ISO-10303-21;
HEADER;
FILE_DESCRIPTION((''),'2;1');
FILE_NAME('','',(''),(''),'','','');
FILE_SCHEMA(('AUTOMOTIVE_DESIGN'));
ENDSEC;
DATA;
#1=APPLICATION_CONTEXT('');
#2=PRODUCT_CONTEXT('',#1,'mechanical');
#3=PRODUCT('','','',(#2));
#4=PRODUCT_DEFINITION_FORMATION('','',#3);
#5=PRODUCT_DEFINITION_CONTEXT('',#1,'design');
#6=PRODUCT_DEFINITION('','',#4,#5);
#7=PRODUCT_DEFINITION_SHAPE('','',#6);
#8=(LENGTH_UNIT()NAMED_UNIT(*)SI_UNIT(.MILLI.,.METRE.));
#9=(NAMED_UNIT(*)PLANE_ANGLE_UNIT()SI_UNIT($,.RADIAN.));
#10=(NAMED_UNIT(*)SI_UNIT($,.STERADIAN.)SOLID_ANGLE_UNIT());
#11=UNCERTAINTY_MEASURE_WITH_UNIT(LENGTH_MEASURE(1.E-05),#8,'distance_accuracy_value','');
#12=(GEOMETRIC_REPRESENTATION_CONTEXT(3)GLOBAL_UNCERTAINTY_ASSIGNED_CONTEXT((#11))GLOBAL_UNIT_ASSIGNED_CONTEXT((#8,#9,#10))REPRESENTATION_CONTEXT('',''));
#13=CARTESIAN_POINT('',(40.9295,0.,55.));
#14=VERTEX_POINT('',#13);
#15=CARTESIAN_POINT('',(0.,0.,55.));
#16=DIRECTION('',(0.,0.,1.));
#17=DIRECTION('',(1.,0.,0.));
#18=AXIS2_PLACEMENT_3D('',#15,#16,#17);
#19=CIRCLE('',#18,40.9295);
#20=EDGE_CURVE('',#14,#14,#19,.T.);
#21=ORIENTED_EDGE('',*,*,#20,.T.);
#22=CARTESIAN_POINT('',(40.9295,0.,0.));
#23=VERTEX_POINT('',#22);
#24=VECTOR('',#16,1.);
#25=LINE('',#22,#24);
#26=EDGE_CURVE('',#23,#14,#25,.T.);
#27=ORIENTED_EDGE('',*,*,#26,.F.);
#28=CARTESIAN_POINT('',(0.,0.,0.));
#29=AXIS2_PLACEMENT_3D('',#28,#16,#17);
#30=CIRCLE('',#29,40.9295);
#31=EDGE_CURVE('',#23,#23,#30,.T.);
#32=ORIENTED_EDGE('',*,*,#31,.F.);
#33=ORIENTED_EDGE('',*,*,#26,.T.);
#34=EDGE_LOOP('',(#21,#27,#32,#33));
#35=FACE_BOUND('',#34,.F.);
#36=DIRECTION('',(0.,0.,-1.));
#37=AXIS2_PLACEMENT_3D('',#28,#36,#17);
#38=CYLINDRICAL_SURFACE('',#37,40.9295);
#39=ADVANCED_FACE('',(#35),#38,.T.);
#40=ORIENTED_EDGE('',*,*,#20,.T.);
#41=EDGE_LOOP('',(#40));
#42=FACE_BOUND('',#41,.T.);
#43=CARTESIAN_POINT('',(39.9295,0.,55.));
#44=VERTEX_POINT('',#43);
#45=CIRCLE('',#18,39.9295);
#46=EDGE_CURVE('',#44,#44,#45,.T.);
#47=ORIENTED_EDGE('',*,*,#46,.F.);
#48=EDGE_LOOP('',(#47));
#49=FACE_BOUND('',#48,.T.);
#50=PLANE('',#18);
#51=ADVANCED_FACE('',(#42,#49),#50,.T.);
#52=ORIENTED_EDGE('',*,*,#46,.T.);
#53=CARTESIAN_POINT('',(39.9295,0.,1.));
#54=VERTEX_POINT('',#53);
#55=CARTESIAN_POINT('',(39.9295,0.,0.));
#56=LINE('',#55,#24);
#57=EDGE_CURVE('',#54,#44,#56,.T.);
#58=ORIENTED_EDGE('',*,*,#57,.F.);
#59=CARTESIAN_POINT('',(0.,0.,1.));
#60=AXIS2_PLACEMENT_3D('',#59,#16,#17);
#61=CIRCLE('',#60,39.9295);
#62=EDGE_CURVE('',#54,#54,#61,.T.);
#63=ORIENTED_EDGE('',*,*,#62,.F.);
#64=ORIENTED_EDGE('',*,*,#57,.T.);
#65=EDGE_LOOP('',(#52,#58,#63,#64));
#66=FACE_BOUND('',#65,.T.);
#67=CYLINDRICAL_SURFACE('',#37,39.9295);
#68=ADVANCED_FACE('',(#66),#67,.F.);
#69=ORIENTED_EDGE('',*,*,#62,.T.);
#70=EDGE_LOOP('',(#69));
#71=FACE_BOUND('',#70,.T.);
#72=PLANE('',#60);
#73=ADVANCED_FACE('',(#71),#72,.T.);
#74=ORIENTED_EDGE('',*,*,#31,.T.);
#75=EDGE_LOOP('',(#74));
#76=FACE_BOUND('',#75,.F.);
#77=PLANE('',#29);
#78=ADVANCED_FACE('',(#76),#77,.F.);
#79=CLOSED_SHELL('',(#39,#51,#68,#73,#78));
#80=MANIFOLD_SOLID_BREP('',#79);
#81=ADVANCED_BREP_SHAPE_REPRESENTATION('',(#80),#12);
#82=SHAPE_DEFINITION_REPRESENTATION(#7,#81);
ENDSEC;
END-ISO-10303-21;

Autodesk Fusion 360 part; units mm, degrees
sketch "スケッチ1" plane through (0, 0, 0) normal (0, 0, 1) x (1, 0, 0)
  circle A0 centre (0, 0) radius 39.9295
  circle A1 centre (0, 0) radius 40.9295
  dimension "d1" = 79.8589
  dimension "d2" = 81.8589
extrude "押し出し1" add sketch "スケッチ1" along normal blind 1 contours A0
extrude "押し出し2" add sketch "スケッチ1" along normal blind 55
equation "d1 = ( 39.929454246127 * 2 ) * 1 mm"
equation "d2 = d1 + 2 mm"
